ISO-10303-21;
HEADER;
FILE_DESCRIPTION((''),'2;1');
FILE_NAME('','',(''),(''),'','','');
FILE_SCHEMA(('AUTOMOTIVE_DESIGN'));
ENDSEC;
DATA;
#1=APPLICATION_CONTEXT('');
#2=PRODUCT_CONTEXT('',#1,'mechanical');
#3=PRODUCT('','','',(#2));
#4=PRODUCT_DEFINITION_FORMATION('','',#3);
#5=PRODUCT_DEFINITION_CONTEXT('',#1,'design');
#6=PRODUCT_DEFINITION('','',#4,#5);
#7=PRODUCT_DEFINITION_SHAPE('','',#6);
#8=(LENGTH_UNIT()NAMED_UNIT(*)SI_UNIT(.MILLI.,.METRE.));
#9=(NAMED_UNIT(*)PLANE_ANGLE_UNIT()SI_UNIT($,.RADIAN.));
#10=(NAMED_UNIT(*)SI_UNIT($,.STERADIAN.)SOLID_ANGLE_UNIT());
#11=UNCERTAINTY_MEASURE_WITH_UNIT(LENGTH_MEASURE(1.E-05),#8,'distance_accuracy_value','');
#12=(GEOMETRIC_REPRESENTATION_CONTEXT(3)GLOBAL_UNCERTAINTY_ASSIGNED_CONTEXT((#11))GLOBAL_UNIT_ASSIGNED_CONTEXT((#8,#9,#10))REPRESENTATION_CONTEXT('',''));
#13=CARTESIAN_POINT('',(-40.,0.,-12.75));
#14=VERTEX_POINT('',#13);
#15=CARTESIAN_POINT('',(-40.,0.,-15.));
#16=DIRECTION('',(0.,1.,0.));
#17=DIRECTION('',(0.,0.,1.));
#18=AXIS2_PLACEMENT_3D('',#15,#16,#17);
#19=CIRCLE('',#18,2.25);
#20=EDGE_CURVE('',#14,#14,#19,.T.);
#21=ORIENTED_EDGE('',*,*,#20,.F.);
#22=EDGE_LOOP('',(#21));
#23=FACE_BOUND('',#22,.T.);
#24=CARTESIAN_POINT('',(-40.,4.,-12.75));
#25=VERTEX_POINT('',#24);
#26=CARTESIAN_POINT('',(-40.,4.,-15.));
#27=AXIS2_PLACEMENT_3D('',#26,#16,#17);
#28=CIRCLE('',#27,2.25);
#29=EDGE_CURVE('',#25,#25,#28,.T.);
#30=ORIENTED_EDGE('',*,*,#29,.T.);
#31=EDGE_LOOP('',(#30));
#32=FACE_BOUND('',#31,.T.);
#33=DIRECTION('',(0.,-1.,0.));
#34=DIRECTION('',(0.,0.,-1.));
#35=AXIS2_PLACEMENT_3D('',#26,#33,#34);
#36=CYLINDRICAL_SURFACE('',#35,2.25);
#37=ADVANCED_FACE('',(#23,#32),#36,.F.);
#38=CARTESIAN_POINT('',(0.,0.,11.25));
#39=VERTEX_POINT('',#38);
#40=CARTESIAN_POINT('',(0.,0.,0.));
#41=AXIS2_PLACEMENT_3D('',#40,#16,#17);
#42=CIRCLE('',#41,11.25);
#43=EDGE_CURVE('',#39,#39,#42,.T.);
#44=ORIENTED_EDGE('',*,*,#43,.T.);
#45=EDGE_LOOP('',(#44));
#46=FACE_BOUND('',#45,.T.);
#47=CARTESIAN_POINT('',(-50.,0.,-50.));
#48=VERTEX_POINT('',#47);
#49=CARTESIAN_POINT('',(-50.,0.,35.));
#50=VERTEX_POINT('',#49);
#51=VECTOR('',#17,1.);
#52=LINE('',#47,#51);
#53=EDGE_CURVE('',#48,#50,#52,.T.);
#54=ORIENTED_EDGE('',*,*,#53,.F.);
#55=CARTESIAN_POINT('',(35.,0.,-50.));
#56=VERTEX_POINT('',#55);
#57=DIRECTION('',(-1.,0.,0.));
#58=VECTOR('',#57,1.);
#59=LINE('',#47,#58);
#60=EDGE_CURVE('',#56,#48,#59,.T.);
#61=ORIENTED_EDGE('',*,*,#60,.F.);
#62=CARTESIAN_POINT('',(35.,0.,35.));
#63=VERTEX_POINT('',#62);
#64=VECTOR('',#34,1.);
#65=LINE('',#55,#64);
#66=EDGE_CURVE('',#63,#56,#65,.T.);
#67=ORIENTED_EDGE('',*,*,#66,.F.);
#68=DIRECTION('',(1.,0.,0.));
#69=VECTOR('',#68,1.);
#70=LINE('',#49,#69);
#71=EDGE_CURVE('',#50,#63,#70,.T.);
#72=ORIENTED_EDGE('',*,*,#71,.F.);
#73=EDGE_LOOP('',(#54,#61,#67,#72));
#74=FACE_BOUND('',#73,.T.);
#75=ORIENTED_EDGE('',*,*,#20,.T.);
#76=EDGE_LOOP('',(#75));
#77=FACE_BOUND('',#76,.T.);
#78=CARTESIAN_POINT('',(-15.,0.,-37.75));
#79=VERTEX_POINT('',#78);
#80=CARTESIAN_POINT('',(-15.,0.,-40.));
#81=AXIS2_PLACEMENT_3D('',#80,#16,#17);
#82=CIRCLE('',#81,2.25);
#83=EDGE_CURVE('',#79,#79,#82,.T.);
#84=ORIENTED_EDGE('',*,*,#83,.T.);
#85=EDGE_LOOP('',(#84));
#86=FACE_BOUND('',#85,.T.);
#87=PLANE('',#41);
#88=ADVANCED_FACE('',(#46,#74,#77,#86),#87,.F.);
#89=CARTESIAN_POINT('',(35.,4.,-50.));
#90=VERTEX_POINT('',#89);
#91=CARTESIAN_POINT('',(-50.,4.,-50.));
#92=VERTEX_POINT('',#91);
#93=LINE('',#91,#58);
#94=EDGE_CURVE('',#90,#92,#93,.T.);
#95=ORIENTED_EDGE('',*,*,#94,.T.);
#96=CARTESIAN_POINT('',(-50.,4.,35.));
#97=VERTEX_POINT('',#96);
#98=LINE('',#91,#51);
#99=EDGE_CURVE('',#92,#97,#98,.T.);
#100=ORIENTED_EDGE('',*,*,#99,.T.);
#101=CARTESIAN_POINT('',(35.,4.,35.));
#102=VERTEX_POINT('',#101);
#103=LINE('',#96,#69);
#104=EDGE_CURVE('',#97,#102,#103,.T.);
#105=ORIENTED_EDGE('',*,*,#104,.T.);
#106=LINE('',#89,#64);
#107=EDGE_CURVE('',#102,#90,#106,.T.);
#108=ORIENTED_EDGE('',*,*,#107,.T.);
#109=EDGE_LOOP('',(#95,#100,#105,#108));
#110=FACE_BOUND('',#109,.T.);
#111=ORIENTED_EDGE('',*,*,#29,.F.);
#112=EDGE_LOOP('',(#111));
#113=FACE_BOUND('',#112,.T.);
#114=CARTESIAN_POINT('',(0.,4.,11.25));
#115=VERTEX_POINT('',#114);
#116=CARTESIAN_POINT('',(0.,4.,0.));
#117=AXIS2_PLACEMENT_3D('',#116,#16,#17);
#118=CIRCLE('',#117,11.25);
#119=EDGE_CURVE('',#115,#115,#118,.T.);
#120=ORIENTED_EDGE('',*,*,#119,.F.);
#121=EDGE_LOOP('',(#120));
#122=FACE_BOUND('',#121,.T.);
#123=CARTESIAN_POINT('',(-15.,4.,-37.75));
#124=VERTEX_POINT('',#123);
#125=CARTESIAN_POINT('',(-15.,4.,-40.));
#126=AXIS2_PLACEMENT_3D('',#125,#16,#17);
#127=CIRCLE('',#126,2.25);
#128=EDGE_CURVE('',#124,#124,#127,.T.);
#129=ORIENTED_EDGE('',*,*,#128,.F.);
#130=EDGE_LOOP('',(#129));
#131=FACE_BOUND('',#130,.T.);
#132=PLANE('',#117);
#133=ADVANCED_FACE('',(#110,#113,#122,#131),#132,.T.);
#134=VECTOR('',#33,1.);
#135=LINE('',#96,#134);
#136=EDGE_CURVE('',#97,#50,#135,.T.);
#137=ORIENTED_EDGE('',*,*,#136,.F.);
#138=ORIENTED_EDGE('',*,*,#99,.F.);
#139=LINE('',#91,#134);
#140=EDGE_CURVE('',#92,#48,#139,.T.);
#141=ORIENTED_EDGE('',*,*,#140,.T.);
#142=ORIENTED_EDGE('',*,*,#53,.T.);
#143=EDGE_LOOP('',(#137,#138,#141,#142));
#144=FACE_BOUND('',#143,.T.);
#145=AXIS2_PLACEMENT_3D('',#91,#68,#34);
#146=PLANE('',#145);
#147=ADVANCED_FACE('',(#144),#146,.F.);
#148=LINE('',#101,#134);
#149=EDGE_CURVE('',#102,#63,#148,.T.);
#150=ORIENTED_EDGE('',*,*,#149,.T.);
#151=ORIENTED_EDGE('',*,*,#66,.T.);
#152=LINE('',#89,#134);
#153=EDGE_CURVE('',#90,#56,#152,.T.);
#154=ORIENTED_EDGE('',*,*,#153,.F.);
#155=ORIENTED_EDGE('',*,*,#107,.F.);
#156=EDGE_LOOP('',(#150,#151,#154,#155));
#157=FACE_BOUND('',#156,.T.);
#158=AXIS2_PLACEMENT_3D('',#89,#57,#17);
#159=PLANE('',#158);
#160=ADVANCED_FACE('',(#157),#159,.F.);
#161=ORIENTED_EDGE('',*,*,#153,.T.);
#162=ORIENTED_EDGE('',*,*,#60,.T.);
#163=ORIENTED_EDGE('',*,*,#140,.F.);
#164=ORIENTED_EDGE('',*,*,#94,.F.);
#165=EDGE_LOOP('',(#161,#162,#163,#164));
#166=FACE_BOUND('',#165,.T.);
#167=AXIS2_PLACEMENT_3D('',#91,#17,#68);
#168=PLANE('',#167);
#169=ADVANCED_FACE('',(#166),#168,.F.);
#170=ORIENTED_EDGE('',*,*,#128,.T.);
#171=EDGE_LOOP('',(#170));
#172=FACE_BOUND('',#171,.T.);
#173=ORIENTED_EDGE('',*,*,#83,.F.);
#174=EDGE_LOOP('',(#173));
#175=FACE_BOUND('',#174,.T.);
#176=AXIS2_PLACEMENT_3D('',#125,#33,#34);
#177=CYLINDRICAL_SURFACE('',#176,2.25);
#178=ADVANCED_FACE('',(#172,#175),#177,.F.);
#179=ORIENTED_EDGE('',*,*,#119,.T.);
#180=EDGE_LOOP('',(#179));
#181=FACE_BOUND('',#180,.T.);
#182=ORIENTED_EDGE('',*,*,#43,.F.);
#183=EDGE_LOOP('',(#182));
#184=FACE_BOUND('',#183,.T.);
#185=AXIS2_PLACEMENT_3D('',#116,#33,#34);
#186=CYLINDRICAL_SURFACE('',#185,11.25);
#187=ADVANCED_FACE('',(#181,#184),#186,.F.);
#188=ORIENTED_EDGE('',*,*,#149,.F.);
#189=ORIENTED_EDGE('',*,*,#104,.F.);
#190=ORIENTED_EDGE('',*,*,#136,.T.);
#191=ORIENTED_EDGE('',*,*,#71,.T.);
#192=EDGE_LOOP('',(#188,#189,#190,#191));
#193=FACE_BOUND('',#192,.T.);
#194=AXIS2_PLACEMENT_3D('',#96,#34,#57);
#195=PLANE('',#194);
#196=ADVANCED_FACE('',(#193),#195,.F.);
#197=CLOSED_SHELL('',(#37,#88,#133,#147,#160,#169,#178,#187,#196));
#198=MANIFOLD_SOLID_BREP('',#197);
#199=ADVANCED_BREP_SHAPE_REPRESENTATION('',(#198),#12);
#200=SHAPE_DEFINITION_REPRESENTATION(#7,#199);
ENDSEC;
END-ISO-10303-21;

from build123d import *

# Parameters (mm, degrees)
SKETCH1_W           = 85
SKETCH1_H           = 85
SKETCH1_R           = 11.25
SKETCH1_R_2         = 2.25
BOSS_EXTRUDE1_DEPTH = 4


with BuildPart() as part:
    # Sketch1 → Boss-Extrude1 (new body)
    with BuildSketch(Plane(origin=(0, 0, 0), x_dir=(1, 0, 0), z_dir=(0, 1, 0))):
        with Locations((-7.5, 7.5)):
            Rectangle(SKETCH1_W, SKETCH1_H)
        Circle(SKETCH1_R, mode=Mode.SUBTRACT)
        with Locations((-15, 40)):
            Circle(SKETCH1_R_2, mode=Mode.SUBTRACT)
        with Locations((-40, 15)):
            Circle(SKETCH1_R_2, mode=Mode.SUBTRACT)
    extrude(amount=BOSS_EXTRUDE1_DEPTH)


solid = part.part
